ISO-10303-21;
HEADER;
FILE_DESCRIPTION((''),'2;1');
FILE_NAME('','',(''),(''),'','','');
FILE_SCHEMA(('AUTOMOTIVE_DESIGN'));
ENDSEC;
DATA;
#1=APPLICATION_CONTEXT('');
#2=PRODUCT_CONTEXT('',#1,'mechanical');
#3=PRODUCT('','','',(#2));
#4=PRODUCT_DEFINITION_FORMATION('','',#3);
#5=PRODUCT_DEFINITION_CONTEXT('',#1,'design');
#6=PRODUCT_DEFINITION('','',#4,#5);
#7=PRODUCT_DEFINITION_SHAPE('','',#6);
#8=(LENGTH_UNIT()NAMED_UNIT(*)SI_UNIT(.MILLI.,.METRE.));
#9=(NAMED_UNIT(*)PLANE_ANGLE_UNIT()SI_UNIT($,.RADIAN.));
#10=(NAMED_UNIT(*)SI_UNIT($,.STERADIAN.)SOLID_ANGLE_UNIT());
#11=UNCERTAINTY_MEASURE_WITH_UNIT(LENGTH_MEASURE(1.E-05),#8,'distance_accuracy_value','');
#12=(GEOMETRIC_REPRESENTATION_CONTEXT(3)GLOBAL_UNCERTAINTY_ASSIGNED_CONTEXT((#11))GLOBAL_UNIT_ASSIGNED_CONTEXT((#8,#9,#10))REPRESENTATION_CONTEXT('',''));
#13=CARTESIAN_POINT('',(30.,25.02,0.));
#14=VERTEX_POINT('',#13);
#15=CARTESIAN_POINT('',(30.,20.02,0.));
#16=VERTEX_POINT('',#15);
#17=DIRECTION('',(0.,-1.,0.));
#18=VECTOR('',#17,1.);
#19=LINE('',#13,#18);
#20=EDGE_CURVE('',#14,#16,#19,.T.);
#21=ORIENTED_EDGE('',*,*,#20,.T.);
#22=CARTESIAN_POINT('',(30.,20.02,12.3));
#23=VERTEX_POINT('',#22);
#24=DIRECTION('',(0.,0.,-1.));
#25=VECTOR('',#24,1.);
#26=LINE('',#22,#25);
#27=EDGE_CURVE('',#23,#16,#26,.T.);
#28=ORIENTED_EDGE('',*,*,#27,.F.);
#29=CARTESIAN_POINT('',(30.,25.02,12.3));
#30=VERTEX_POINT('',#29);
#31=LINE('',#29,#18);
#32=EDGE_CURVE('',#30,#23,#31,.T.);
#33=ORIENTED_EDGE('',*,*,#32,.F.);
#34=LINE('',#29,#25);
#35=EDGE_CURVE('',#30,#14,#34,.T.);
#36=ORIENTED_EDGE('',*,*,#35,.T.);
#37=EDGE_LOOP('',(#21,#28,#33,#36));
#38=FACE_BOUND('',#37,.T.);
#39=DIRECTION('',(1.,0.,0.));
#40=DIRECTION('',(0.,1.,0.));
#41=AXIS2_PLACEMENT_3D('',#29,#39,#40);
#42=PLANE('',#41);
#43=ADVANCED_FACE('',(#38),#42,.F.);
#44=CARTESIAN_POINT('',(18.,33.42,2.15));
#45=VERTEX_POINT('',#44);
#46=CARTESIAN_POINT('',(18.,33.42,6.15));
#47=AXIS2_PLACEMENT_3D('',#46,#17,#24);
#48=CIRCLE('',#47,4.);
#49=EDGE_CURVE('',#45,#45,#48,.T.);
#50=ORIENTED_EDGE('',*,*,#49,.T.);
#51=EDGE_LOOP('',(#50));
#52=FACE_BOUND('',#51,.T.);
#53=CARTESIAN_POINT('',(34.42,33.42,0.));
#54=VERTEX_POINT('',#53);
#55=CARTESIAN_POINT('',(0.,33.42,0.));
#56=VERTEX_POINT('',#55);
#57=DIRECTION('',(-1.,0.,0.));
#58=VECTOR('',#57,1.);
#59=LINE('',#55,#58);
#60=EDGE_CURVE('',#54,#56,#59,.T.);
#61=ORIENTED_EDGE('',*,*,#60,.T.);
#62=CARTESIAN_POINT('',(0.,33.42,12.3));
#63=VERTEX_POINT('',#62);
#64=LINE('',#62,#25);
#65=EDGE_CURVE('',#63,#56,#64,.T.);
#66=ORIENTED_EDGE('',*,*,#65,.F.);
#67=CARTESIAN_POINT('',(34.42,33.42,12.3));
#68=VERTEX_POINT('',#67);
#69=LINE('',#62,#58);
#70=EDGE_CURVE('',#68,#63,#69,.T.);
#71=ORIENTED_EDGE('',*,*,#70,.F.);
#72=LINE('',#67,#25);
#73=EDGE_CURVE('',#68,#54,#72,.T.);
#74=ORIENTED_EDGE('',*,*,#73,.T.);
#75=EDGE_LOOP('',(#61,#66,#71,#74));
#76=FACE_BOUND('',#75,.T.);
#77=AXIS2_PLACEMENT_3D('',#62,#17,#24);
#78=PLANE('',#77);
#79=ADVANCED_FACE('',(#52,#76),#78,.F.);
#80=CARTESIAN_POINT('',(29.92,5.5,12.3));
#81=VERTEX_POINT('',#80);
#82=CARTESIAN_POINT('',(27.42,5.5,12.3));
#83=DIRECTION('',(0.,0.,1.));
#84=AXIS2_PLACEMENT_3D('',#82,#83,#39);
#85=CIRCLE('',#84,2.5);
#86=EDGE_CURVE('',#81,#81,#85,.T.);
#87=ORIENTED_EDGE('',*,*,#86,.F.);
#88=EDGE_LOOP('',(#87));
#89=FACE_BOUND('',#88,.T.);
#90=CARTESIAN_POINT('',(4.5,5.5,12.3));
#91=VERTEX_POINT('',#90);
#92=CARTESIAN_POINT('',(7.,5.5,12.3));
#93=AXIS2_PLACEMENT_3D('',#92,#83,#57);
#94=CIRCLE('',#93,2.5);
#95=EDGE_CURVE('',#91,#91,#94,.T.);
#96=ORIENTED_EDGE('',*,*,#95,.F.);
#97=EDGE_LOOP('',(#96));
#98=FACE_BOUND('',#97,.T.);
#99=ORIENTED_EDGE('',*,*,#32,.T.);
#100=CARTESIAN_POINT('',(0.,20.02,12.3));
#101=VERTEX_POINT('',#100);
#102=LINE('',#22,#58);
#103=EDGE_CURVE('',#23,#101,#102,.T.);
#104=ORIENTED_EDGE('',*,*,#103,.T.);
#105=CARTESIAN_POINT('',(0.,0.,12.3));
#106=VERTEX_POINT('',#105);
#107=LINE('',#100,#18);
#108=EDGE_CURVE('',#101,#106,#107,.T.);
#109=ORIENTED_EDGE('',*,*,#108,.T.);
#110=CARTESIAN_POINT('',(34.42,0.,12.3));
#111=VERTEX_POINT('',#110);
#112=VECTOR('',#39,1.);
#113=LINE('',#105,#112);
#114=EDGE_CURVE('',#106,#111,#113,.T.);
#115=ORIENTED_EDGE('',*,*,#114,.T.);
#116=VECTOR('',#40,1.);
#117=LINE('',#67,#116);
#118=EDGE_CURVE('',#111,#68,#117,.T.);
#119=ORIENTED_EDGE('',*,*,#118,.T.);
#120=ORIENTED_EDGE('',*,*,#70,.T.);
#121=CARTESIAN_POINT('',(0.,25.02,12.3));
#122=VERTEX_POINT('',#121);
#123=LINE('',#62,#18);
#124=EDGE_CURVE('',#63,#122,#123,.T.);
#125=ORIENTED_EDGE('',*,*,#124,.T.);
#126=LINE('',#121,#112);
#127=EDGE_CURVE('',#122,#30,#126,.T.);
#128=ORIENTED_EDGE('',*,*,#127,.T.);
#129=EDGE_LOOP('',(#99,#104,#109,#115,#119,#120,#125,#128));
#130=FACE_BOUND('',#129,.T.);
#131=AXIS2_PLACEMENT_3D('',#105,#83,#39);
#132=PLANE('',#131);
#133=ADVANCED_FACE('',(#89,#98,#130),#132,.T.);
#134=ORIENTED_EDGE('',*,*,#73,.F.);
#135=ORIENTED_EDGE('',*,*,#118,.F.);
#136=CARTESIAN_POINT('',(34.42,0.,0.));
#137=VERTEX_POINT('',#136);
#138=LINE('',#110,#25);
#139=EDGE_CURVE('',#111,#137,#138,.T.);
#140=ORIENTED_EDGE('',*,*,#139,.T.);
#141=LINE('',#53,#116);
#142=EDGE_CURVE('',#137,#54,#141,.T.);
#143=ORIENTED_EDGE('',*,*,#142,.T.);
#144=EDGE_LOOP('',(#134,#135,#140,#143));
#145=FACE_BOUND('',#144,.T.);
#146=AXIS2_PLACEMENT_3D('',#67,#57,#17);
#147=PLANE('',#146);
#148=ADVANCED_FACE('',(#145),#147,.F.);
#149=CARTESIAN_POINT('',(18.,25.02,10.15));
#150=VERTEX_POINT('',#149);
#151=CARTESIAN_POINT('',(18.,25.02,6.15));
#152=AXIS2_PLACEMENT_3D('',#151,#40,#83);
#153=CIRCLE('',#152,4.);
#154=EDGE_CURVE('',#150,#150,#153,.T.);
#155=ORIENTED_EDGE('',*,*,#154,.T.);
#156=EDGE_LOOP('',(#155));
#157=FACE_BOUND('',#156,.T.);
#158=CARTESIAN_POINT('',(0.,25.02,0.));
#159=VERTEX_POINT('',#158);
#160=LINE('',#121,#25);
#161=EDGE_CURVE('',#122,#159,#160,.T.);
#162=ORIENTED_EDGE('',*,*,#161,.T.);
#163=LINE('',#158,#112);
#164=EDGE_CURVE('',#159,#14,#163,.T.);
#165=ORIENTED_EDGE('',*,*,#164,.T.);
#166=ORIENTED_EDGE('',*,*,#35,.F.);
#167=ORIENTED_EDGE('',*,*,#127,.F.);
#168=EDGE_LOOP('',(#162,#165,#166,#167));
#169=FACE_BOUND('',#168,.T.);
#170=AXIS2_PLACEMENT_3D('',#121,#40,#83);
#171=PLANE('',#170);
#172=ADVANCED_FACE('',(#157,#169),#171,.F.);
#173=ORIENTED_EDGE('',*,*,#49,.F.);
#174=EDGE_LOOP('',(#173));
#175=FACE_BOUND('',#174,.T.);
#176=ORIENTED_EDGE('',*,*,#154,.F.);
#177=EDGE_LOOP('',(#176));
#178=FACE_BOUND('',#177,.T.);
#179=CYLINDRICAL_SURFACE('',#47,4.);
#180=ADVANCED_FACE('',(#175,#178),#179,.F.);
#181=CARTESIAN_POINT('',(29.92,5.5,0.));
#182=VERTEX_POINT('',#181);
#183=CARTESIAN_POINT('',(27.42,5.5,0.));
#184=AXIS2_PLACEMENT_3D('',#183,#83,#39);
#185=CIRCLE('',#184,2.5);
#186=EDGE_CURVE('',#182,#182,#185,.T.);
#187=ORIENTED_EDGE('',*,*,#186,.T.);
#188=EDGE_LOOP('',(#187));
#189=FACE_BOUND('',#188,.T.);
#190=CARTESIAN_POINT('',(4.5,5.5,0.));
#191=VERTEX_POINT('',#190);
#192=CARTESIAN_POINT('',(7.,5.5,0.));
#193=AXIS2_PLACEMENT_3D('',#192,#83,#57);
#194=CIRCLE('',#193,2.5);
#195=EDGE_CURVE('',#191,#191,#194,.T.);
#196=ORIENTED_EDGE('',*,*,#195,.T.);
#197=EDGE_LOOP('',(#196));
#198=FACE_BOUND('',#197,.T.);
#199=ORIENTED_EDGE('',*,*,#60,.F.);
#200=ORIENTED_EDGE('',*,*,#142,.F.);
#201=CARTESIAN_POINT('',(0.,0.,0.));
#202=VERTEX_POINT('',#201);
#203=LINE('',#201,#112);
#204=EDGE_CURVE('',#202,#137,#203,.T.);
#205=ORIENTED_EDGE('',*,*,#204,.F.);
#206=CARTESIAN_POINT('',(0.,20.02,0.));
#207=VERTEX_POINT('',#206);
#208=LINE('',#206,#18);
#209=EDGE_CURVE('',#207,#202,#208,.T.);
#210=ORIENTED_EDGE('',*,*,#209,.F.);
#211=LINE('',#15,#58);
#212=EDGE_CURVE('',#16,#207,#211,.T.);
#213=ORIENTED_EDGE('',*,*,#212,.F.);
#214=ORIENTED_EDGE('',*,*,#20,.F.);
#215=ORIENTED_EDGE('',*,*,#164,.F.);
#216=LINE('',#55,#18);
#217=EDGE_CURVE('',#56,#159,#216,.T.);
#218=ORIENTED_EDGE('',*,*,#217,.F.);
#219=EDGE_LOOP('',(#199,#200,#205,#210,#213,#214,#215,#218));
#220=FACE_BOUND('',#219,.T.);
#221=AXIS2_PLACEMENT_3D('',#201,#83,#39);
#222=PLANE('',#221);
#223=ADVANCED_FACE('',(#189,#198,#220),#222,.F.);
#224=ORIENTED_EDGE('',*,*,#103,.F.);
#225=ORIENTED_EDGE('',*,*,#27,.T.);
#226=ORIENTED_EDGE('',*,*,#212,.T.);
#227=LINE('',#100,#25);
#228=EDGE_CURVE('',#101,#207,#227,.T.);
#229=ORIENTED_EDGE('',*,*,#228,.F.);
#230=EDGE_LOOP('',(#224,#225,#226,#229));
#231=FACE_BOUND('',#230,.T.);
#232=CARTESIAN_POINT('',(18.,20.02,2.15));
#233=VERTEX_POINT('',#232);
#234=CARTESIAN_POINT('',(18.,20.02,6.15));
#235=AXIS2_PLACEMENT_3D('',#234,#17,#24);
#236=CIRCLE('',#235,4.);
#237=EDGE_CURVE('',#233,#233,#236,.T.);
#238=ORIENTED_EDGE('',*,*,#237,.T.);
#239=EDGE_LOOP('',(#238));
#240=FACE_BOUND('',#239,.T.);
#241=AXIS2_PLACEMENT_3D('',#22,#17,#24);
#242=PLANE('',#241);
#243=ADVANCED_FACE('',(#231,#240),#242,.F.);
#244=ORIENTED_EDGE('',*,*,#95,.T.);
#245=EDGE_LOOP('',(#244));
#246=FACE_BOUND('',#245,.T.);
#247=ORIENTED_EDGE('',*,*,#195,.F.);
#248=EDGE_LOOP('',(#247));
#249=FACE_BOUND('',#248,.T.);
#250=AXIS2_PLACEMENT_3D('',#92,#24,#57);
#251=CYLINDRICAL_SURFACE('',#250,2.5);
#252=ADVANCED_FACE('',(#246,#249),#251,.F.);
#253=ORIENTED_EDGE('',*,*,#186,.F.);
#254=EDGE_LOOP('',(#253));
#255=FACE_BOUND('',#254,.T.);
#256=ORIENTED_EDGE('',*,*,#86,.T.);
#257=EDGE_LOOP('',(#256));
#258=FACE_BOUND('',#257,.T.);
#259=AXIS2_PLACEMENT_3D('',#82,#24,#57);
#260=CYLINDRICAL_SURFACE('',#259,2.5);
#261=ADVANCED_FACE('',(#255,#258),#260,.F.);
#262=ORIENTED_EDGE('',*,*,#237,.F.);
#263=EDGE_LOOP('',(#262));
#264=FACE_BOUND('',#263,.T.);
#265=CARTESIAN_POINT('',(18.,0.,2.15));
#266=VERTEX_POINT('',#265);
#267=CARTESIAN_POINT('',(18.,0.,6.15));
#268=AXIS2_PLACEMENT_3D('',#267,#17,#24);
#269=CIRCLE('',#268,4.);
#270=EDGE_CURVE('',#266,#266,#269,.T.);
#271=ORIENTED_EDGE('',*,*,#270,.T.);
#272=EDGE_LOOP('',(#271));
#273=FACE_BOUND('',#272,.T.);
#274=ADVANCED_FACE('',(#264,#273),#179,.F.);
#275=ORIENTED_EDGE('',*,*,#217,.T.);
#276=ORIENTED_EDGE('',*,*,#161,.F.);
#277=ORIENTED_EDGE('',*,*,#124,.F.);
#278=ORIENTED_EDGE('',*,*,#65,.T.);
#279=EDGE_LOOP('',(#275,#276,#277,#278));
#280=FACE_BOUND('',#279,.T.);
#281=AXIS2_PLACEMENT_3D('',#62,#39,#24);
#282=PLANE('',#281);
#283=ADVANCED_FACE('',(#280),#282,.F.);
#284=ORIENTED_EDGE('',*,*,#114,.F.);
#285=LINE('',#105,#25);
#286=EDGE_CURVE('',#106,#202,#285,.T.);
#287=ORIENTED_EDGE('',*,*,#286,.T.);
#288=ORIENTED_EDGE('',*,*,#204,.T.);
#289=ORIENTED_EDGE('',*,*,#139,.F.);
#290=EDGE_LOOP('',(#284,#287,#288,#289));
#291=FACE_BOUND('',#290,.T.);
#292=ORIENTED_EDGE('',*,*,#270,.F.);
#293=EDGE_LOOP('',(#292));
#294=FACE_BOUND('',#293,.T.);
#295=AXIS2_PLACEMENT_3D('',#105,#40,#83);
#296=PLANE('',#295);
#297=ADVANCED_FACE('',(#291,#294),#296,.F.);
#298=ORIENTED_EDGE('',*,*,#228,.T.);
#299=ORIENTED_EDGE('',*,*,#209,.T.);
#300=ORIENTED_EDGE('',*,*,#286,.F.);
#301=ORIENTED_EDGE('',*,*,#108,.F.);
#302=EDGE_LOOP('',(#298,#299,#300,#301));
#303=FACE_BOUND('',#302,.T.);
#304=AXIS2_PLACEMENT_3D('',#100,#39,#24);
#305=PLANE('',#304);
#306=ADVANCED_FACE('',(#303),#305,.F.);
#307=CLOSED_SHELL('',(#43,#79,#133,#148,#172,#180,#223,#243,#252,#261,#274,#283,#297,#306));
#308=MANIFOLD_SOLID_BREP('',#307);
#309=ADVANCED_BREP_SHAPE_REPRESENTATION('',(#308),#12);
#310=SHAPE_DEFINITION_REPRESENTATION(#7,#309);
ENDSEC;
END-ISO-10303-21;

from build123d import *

# Parameters (mm, degrees)
SKETCH1_R           = 2.5
BOSS_EXTRUDE1_DEPTH = 12.3
SKETCH2_R           = 4
CUT_EXTRUDE1_DEPTH  = 34.42


with BuildPart() as part:
    # Sketch1 → Boss-Extrude1 (new body)
    with BuildSketch(Plane.XY):
        Polygon((0, 25.02), (30, 25.02), (30, 20.02), (0, 20.02), (0, 0), (34.42, 0), (34.42, 33.42), (0, 33.42), align=None)
        with Locations((27.42, 5.5)):
            Circle(SKETCH1_R, mode=Mode.SUBTRACT)
        with Locations((7, 5.5)):
            Circle(SKETCH1_R, mode=Mode.SUBTRACT)
    extrude(amount=BOSS_EXTRUDE1_DEPTH)

    # Sketch2 → Cut-Extrude1 (cut, through all)
    with BuildSketch(Plane(origin=(0, 0, 0), x_dir=(-1, 0, 0), z_dir=(0, -1, 0))):
        with Locations((-18, -6.15)):
            Circle(SKETCH2_R)
    extrude(amount=-CUT_EXTRUDE1_DEPTH, mode=Mode.SUBTRACT)


solid = part.part
